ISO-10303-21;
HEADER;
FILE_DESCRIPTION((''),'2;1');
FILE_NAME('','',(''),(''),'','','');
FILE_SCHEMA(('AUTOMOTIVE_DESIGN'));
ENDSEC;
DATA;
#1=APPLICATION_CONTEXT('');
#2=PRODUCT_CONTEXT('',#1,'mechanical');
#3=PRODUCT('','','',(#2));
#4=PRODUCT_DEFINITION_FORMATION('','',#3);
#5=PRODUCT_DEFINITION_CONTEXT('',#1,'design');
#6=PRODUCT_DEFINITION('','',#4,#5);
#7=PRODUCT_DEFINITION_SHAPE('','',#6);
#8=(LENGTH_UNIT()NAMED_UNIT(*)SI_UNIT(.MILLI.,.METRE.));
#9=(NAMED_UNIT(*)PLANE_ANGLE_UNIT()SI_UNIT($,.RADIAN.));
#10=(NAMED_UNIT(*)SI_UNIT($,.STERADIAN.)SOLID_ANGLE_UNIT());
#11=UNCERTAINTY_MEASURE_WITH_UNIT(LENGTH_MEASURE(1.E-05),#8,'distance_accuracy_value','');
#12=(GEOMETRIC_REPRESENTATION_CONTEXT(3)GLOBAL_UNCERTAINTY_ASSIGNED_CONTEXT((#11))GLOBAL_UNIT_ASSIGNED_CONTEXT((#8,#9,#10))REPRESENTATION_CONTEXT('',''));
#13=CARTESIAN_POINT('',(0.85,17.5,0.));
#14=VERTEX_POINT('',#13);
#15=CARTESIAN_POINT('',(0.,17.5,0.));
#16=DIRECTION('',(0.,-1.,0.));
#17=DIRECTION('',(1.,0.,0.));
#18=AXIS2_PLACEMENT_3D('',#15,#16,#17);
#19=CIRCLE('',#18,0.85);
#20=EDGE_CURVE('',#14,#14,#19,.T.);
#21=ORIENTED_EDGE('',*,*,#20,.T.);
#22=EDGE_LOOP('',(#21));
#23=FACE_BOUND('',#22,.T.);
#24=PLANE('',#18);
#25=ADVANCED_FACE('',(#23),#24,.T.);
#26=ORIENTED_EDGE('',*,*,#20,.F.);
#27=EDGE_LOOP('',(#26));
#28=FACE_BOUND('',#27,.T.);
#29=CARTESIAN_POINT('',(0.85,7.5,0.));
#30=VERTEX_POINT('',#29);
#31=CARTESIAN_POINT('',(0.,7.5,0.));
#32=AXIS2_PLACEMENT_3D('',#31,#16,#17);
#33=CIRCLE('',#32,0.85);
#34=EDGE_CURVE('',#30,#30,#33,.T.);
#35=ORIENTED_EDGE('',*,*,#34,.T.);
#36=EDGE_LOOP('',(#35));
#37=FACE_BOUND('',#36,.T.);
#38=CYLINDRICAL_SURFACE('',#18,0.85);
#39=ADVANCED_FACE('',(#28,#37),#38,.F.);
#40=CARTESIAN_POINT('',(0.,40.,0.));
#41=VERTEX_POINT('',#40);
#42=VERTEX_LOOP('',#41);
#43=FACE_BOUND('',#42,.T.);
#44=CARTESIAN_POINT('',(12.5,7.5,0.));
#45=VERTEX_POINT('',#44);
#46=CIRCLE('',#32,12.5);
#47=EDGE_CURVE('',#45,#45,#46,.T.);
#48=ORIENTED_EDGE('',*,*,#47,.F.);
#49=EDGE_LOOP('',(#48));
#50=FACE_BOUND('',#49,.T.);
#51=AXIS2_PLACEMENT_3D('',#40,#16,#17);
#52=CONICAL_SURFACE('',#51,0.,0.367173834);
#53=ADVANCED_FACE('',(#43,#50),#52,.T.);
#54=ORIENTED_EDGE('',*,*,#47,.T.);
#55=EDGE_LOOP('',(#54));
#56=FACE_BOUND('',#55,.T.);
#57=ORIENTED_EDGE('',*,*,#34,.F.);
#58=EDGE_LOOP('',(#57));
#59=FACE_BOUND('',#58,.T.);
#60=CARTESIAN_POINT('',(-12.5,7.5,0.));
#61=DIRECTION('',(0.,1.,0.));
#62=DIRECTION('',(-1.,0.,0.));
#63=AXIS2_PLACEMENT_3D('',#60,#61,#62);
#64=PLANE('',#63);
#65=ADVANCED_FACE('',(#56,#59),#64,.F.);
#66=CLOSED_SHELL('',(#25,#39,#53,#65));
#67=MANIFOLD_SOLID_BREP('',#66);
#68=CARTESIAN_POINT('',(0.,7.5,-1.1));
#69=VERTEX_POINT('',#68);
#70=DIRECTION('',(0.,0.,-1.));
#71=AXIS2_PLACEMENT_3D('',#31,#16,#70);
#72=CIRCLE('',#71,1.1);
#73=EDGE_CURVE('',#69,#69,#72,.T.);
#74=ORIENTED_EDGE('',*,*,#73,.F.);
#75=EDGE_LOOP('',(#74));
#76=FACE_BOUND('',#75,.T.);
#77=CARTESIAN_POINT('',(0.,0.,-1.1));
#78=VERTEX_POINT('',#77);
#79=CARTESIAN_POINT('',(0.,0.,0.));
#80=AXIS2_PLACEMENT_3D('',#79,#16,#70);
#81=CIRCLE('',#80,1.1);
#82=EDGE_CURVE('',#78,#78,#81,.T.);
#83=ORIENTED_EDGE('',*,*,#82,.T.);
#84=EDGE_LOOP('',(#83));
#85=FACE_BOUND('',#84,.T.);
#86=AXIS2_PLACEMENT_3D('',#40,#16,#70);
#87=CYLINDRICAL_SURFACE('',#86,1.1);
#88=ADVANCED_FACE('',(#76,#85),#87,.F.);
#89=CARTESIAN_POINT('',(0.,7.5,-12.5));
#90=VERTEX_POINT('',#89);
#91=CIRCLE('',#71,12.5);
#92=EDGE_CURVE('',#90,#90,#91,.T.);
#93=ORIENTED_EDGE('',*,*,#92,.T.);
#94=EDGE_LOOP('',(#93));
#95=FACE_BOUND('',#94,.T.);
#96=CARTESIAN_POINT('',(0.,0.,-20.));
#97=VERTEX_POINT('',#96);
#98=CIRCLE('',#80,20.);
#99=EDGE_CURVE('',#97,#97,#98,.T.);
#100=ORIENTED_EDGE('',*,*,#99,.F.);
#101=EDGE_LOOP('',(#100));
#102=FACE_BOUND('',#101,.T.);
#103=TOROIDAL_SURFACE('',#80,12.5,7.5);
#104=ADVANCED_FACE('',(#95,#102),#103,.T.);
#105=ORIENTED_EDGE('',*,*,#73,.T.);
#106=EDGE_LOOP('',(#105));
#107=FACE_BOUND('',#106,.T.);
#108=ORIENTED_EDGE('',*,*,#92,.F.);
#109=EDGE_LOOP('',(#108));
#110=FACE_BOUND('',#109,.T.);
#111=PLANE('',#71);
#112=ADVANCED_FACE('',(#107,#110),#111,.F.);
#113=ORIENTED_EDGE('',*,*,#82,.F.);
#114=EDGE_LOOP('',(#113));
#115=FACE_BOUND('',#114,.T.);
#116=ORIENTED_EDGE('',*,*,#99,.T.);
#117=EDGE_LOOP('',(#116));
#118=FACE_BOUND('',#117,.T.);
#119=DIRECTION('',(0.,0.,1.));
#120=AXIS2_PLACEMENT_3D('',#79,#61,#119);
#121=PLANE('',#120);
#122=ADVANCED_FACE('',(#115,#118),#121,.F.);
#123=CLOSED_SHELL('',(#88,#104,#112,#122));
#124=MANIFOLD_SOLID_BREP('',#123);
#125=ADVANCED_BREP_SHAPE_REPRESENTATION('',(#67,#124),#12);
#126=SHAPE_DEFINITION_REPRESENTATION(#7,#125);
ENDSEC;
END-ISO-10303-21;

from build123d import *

# Parameters (mm, degrees)
SKETCH_4_R          = 1.1
CUT_EXTRUDE_1_DEPTH = 49.989794856
SKETCH_5_R          = 0.85
CUT_EXTRUDE_2_DEPTH = 10


with BuildPart() as part:
    # ｽｹｯﾁ1 → 回転1 (revolve)
    with BuildSketch(Plane.XY, mode=Mode.PRIVATE) as revolve_1_sk:
        with BuildLine():
            Line((0, 0), (0, 7.5))
            Line((0, 7.5), (-12.5, 7.5))
            ThreePointArc((-12.5, 7.5), (-17.803300859, 5.303300859), (-20, 0))
            Line((-20, 0), (0, 0))
        make_face()
    revolve(revolve_1_sk.sketch.rotate(Axis((0, 0, 0), (0, 1, 0)), 270), axis=Axis((0, 0, 0), (0, 1, 0)))

    # ｽｹｯﾁ4 → ｶｯﾄ - 押し出し1 (cut, through all)
    with BuildSketch(Plane.XZ):
        with Locations(Location((0, 0, 0), (0, 0, 270))):
            Circle(SKETCH_4_R)
    extrude(amount=-CUT_EXTRUDE_1_DEPTH, mode=Mode.SUBTRACT)


with BuildPart() as body_2:
    # ｽｹｯﾁ3 → 回転2 (revolve)
    with BuildSketch(Plane.XY, mode=Mode.PRIVATE) as revolve_2_sk:
        Polygon((0, 7.5), (0, 40), (-12.5, 7.5), align=None)
    revolve(revolve_2_sk.sketch.rotate(Axis((0, 7.5, 0), (0, 1, 0)), 180), axis=Axis((0, 7.5, 0), (0, 1, 0)))

    # ｽｹｯﾁ5 → ｶｯﾄ - 押し出し2 (cut)
    with BuildSketch(Plane.XZ.offset(-7.5)):
        Circle(SKETCH_5_R)
    extrude(amount=-CUT_EXTRUDE_2_DEPTH, mode=Mode.SUBTRACT)


solid = Compound([part.part, body_2.part])
